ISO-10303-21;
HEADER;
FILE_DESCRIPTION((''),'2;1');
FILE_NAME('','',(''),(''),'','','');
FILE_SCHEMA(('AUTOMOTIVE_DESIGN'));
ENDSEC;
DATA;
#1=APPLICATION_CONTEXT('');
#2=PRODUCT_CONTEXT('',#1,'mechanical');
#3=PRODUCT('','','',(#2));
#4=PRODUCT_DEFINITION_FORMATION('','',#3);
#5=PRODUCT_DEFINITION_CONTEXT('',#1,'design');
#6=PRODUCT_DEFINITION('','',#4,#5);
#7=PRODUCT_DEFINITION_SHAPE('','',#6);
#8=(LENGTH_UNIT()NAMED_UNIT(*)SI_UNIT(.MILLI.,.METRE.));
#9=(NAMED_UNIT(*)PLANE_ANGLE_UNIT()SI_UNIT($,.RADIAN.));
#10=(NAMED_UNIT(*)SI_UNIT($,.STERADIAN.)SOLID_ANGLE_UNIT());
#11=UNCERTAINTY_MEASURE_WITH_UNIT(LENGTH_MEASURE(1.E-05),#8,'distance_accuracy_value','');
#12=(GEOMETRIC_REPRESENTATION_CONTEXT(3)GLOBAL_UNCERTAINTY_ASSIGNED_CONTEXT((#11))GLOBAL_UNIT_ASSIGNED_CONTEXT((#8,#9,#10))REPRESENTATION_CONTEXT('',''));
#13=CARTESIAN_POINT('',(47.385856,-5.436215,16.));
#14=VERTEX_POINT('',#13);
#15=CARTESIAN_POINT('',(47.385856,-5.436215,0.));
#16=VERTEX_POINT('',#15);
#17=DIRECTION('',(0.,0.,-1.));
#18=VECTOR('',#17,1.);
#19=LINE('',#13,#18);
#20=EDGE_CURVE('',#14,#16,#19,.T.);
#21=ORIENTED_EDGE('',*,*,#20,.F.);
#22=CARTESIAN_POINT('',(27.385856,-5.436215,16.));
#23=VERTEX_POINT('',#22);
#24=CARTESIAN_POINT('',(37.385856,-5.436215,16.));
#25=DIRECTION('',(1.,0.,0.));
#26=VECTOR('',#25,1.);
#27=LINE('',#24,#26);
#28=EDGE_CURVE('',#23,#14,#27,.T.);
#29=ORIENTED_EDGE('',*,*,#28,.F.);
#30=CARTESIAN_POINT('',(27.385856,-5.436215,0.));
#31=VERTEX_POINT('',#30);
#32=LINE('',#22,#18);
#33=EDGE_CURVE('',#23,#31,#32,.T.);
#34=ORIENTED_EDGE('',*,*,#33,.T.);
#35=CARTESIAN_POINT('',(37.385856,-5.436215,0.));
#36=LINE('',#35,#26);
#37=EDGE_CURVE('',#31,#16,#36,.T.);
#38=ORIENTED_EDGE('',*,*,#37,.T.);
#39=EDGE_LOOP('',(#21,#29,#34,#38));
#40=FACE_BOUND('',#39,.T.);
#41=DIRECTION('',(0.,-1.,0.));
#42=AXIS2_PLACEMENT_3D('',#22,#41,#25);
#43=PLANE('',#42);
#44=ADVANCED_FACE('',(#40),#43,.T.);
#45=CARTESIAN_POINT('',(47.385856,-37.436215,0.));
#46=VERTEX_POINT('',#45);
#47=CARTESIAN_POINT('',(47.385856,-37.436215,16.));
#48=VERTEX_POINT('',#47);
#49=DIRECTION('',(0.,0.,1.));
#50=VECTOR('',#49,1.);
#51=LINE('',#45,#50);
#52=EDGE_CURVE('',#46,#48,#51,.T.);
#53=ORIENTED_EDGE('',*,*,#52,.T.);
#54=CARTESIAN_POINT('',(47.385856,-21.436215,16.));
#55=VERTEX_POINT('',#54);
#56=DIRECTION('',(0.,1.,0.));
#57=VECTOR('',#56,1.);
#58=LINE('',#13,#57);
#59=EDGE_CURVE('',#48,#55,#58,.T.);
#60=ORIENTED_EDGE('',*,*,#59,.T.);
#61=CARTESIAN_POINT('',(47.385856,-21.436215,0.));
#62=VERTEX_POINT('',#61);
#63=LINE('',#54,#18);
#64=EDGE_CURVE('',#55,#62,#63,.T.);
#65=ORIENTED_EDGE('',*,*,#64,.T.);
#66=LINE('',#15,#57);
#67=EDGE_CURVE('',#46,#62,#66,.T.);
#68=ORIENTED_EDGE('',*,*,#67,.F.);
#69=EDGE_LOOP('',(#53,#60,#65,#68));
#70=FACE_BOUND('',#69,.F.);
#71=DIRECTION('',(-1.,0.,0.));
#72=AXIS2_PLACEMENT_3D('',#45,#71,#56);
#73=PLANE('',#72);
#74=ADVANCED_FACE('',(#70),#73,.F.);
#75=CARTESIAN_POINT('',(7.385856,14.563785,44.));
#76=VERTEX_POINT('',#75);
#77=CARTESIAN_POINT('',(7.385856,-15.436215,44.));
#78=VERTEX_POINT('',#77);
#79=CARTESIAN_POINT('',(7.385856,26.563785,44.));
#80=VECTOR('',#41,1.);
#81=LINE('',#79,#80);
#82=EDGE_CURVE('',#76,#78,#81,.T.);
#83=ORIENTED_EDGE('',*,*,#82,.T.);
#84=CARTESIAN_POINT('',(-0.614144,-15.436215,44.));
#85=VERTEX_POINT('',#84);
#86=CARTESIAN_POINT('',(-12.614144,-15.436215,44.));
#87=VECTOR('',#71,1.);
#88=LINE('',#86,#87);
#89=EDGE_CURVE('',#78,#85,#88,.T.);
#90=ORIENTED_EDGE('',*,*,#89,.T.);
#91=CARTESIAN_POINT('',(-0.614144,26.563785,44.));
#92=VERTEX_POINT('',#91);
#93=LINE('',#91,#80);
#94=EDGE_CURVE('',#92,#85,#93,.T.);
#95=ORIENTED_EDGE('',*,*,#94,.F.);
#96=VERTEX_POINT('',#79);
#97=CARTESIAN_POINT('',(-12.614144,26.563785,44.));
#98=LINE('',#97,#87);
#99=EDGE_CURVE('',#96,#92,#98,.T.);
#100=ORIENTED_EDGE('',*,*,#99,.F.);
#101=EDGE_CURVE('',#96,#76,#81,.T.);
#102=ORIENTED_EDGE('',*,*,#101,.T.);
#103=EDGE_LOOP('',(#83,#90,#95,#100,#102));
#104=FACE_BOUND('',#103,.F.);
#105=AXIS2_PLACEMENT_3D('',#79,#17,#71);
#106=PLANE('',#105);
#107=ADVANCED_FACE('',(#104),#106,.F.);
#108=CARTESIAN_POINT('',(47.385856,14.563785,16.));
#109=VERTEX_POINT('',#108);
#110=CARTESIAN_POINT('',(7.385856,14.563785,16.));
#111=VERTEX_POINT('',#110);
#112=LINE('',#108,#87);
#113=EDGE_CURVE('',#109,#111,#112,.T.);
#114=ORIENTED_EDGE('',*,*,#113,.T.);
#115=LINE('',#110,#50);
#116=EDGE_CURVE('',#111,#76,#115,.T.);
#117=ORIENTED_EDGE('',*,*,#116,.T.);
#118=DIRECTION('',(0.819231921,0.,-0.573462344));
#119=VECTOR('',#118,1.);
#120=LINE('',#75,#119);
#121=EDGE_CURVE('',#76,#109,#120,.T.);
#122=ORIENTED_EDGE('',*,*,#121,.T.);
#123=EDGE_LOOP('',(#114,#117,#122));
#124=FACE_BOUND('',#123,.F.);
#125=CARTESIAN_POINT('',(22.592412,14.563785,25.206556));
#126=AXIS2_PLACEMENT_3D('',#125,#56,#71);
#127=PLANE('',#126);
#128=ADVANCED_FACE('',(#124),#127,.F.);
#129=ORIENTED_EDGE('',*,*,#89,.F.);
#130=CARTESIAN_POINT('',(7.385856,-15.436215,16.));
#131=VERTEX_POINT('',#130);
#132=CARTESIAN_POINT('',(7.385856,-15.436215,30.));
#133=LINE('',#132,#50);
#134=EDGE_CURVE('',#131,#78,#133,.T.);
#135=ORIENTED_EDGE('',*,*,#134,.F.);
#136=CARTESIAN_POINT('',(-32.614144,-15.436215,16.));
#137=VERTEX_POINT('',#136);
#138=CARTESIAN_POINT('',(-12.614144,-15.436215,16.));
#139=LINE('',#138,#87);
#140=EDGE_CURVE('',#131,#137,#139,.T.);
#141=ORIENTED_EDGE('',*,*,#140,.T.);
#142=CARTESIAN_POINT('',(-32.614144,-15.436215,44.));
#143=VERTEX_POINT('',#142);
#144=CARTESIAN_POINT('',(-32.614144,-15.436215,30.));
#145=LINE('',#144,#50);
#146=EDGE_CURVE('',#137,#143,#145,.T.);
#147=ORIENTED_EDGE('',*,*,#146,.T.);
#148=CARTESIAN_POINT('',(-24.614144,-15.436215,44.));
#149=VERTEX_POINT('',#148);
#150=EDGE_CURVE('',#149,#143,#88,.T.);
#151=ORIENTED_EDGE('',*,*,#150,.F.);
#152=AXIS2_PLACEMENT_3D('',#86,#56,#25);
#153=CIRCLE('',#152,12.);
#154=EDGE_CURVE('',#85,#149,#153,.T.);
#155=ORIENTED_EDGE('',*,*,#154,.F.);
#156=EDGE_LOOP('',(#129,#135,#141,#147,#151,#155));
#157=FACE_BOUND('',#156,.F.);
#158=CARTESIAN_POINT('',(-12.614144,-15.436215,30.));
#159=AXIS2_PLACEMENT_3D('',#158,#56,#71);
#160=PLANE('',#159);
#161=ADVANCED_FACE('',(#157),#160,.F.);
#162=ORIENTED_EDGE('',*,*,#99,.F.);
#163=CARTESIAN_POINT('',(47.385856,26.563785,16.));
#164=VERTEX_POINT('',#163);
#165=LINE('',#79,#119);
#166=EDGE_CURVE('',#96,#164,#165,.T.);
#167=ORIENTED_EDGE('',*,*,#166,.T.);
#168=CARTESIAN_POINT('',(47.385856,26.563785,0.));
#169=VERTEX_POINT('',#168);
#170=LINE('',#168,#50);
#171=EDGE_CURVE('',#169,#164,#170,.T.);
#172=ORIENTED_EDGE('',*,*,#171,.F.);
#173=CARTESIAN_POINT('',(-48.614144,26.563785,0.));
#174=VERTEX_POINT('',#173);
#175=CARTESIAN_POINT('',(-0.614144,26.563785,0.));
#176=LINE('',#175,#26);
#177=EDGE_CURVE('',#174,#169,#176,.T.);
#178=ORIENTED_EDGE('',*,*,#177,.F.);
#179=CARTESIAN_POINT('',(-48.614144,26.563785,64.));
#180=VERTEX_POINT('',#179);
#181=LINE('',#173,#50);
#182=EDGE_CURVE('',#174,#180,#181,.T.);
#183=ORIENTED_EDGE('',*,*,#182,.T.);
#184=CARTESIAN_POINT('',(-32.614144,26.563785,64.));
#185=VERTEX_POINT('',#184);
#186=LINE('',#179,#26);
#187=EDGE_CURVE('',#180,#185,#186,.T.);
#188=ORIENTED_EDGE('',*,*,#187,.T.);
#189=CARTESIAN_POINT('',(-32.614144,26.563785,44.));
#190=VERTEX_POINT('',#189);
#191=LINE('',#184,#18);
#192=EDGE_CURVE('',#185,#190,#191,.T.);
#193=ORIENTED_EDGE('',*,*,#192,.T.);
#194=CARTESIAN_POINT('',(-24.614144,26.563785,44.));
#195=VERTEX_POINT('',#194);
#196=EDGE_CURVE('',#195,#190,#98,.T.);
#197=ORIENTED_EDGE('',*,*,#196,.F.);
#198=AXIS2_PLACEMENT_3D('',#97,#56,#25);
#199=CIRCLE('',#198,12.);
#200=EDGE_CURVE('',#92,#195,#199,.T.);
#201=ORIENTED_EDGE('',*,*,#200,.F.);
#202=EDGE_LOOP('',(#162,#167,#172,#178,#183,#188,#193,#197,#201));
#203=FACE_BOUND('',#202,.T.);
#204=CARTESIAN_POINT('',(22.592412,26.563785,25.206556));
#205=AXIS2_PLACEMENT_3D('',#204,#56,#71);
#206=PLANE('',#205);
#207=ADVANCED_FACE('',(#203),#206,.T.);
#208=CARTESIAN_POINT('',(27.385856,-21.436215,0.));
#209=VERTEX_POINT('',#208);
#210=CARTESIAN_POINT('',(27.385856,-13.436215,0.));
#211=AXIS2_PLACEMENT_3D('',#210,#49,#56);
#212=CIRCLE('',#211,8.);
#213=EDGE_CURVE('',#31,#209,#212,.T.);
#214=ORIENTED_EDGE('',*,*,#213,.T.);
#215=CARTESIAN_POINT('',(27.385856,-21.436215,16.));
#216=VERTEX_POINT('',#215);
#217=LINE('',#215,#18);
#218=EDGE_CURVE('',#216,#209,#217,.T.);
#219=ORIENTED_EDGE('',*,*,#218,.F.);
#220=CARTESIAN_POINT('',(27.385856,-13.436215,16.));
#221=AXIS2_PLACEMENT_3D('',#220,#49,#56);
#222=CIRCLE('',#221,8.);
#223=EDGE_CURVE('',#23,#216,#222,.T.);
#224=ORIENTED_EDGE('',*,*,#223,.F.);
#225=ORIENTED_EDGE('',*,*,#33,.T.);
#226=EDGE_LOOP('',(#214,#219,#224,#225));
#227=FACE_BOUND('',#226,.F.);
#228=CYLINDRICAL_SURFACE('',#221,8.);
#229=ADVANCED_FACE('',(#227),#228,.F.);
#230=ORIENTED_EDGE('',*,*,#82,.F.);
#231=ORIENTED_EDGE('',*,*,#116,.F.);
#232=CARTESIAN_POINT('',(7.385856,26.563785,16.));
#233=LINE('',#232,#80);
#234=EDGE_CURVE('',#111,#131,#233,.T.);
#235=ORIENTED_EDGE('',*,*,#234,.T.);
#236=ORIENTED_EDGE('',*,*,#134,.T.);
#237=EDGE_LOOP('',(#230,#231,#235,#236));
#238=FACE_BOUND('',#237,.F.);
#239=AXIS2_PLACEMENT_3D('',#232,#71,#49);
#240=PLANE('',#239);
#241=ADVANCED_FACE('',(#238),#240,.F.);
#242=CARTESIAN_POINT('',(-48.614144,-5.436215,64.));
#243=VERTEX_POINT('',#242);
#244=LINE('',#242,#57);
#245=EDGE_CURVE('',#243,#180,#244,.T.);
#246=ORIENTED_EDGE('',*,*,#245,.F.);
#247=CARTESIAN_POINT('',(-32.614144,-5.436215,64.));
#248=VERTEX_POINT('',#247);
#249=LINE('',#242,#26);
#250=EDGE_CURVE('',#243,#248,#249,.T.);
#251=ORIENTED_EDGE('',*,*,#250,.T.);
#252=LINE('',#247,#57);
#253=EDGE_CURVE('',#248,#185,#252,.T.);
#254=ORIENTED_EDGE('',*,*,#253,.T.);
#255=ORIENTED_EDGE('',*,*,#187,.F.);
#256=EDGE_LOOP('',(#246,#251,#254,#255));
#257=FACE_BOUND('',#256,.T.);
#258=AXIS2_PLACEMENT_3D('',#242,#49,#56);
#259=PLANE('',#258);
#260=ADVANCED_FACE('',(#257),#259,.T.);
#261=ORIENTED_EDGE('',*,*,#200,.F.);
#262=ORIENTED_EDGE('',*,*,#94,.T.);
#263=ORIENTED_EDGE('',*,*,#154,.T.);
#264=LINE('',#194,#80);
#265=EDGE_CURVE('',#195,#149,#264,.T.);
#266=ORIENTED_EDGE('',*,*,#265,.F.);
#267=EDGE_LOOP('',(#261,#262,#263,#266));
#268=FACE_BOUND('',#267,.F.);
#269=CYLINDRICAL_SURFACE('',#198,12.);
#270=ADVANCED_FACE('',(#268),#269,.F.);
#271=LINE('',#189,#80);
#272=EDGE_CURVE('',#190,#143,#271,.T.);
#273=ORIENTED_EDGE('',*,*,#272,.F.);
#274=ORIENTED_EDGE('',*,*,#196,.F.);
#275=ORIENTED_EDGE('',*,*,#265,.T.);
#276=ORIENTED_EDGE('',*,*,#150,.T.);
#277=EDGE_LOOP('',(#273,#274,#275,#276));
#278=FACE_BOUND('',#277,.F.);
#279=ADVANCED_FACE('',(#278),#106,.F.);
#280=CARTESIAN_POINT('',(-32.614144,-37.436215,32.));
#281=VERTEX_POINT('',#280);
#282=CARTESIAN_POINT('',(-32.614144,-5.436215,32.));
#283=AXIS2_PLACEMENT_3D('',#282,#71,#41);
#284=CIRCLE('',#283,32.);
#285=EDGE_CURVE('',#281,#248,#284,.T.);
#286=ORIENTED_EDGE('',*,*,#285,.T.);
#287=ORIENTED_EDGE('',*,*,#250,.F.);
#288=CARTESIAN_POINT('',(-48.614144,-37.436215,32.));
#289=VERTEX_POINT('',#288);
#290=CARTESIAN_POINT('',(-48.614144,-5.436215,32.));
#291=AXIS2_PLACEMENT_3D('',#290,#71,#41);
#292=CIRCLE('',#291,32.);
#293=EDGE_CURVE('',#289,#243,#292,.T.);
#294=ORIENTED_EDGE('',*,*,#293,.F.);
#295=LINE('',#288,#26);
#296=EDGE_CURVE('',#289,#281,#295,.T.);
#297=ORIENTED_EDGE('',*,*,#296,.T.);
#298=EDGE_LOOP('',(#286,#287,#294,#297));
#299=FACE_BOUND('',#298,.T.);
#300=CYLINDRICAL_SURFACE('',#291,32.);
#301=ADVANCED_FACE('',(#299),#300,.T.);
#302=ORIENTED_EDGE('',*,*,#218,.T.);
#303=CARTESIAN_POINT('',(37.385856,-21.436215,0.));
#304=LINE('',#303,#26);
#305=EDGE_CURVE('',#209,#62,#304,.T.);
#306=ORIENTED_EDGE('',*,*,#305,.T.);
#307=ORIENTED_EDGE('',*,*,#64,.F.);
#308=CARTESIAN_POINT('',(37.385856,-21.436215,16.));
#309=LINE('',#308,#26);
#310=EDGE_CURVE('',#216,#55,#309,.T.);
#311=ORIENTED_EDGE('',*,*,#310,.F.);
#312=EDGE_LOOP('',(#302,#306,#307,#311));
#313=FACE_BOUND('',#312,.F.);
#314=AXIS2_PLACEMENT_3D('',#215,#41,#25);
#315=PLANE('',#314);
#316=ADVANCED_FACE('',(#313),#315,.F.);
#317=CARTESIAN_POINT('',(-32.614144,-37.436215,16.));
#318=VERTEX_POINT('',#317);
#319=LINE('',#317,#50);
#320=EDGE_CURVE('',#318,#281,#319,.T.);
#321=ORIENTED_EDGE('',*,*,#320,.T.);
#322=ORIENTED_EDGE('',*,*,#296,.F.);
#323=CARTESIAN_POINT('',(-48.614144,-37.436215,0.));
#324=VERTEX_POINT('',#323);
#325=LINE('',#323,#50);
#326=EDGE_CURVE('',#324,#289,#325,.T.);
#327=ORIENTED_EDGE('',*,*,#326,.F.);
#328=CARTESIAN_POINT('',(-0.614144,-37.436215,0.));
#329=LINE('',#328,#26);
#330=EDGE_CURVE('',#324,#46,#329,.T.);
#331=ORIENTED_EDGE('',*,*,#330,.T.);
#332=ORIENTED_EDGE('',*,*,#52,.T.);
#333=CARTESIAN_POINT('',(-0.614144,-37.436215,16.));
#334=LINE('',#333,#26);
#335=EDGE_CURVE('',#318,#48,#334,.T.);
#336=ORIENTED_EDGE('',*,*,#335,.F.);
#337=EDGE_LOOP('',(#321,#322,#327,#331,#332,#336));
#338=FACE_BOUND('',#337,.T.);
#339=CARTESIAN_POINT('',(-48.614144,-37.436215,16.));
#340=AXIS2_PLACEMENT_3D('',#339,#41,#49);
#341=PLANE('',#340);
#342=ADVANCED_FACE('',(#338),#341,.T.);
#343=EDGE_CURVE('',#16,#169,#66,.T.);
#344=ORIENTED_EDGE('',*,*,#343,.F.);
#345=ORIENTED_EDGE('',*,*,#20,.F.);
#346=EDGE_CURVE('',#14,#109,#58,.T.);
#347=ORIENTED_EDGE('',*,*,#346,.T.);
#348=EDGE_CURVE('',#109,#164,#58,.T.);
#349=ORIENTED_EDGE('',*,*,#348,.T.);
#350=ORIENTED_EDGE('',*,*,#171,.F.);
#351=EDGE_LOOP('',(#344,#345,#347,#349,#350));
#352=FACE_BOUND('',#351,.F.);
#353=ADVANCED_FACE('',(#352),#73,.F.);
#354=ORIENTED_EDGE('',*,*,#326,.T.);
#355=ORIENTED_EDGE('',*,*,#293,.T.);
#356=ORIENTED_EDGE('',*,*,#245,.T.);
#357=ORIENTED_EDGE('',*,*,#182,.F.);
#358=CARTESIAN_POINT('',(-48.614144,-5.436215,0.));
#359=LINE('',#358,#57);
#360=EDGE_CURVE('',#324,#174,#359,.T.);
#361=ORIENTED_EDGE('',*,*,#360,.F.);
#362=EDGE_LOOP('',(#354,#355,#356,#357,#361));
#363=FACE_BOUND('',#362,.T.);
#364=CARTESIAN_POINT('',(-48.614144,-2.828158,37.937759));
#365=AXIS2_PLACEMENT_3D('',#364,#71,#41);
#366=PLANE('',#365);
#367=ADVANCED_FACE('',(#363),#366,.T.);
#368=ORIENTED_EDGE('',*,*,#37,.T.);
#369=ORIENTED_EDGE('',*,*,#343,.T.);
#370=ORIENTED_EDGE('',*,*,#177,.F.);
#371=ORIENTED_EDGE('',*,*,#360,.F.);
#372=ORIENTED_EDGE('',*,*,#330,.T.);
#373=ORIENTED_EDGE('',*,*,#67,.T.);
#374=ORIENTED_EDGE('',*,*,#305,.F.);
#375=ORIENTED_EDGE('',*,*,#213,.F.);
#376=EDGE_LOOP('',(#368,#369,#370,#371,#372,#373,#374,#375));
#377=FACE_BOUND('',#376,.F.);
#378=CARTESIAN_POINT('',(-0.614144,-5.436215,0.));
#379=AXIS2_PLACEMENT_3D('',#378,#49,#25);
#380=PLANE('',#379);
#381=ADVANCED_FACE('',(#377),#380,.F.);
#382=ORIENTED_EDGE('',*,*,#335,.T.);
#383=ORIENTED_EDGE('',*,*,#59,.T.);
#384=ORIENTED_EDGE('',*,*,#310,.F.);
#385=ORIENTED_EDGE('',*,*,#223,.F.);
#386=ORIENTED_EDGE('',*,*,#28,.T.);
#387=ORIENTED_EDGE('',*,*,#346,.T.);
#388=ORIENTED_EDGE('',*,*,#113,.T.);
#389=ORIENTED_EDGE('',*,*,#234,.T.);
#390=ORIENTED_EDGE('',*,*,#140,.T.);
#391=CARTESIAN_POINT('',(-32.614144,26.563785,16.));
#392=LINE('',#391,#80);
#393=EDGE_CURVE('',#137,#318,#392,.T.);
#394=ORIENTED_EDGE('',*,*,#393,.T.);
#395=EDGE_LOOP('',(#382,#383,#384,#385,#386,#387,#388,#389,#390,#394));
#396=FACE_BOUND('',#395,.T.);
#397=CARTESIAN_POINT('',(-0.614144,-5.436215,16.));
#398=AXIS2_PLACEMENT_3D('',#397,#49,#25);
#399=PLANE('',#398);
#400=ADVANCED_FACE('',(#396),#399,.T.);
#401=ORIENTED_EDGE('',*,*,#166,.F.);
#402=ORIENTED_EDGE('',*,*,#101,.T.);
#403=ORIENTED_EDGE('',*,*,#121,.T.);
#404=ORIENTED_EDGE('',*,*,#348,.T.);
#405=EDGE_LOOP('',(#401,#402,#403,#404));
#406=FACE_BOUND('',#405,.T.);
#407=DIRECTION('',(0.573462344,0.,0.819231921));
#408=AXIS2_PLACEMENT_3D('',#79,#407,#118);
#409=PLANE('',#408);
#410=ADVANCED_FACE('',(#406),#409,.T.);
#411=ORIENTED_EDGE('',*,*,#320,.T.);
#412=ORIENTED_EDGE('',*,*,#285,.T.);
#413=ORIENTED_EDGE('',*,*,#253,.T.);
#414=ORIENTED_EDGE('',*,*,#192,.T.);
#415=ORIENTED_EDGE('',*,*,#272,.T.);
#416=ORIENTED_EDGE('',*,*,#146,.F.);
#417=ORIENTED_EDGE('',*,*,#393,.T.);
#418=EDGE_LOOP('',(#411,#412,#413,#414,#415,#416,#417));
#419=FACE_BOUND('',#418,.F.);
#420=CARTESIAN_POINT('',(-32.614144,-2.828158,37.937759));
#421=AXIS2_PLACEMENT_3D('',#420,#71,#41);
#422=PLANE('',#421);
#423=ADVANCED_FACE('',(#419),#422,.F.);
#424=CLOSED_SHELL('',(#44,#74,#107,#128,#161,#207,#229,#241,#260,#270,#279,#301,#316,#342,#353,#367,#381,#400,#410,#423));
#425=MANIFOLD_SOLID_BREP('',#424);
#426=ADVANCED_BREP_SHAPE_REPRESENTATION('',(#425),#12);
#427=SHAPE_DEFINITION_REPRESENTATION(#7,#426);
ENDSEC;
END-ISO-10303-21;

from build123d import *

# Parameters (mm, degrees)
F0_W      = 96
F0_H      = 64
F1_DEPTH  = 16
F3_DEPTH  = 16
F4_W      = 40
F4_H      = 28
F5_DEPTH  = 42
F7_DEPTH  = 42
F8_W      = 20
F8_H      = 16
F9_DEPTH  = 16
F11_DEPTH = 12


with BuildPart() as f1:
    # F0 (on Top) → F1 (new body)
    with BuildSketch(Plane.XY):
        with Locations((-0.614144, -5.436215)):
            Rectangle(F0_W, F0_H)
    extrude(amount=F1_DEPTH)

    # F2 (on face) → F3 (join)
    with BuildSketch(Plane(origin=(-48.614144, 0, 0), x_dir=(0, -1, 0), z_dir=(-1, 0, 0))):
        with BuildLine():
            Line((-26.563785, 64), (-26.563785, 16))
            Line((-26.563785, 16), (37.436215, 16))
            Line((37.436215, 16), (37.436215, 32))
            ThreePointArc((37.436215, 32), (28.063632, 54.627417), (5.436215, 64))
            Line((5.436215, 64), (-26.563785, 64))
        make_face()
    extrude(amount=-F3_DEPTH)

    # F4 (on face) → F5 (join)
    with BuildSketch(Plane(origin=(0, 26.563785, 0), x_dir=(-1, 0, 0), z_dir=(0, 1, 0))):
        with Locations((12.614144, 30)):
            Rectangle(F4_W, F4_H)
    extrude(amount=-F5_DEPTH)

    # F6 (on face) → F7 (cut)
    with BuildSketch(Plane(origin=(0, 26.563785, 0), x_dir=(-1, 0, 0), z_dir=(0, 1, 0))):
        with BuildLine():
            Line((24.614144, 44), (0.614144, 44))
            ThreePointArc((0.614144, 44), (12.614144, 32), (24.614144, 44))
        make_face()
    extrude(amount=-F7_DEPTH, mode=Mode.SUBTRACT)

    # F8 (on face) → F9 (cut)
    with BuildSketch(Plane.XY.offset(16)):
        with BuildLine():
            ThreePointArc((27.385856, -5.436215), (19.385856, -13.436215), (27.385856, -21.436215))
            Line((27.385856, -21.436215), (27.385856, -5.436215))
        make_face()
        with Locations((37.385856, -13.436215)):
            Rectangle(F8_W, F8_H)
    extrude(amount=-F9_DEPTH, mode=Mode.SUBTRACT)

    # F10 (on face) → F11 (join)
    with BuildSketch(Plane(origin=(0, 26.563785, 0), x_dir=(-1, 0, 0), z_dir=(0, 1, 0))):
        Polygon((-7.385856, 44), (-47.385856, 16), (-7.385856, 16), align=None)
    extrude(amount=-F11_DEPTH)


solid = f1.part
